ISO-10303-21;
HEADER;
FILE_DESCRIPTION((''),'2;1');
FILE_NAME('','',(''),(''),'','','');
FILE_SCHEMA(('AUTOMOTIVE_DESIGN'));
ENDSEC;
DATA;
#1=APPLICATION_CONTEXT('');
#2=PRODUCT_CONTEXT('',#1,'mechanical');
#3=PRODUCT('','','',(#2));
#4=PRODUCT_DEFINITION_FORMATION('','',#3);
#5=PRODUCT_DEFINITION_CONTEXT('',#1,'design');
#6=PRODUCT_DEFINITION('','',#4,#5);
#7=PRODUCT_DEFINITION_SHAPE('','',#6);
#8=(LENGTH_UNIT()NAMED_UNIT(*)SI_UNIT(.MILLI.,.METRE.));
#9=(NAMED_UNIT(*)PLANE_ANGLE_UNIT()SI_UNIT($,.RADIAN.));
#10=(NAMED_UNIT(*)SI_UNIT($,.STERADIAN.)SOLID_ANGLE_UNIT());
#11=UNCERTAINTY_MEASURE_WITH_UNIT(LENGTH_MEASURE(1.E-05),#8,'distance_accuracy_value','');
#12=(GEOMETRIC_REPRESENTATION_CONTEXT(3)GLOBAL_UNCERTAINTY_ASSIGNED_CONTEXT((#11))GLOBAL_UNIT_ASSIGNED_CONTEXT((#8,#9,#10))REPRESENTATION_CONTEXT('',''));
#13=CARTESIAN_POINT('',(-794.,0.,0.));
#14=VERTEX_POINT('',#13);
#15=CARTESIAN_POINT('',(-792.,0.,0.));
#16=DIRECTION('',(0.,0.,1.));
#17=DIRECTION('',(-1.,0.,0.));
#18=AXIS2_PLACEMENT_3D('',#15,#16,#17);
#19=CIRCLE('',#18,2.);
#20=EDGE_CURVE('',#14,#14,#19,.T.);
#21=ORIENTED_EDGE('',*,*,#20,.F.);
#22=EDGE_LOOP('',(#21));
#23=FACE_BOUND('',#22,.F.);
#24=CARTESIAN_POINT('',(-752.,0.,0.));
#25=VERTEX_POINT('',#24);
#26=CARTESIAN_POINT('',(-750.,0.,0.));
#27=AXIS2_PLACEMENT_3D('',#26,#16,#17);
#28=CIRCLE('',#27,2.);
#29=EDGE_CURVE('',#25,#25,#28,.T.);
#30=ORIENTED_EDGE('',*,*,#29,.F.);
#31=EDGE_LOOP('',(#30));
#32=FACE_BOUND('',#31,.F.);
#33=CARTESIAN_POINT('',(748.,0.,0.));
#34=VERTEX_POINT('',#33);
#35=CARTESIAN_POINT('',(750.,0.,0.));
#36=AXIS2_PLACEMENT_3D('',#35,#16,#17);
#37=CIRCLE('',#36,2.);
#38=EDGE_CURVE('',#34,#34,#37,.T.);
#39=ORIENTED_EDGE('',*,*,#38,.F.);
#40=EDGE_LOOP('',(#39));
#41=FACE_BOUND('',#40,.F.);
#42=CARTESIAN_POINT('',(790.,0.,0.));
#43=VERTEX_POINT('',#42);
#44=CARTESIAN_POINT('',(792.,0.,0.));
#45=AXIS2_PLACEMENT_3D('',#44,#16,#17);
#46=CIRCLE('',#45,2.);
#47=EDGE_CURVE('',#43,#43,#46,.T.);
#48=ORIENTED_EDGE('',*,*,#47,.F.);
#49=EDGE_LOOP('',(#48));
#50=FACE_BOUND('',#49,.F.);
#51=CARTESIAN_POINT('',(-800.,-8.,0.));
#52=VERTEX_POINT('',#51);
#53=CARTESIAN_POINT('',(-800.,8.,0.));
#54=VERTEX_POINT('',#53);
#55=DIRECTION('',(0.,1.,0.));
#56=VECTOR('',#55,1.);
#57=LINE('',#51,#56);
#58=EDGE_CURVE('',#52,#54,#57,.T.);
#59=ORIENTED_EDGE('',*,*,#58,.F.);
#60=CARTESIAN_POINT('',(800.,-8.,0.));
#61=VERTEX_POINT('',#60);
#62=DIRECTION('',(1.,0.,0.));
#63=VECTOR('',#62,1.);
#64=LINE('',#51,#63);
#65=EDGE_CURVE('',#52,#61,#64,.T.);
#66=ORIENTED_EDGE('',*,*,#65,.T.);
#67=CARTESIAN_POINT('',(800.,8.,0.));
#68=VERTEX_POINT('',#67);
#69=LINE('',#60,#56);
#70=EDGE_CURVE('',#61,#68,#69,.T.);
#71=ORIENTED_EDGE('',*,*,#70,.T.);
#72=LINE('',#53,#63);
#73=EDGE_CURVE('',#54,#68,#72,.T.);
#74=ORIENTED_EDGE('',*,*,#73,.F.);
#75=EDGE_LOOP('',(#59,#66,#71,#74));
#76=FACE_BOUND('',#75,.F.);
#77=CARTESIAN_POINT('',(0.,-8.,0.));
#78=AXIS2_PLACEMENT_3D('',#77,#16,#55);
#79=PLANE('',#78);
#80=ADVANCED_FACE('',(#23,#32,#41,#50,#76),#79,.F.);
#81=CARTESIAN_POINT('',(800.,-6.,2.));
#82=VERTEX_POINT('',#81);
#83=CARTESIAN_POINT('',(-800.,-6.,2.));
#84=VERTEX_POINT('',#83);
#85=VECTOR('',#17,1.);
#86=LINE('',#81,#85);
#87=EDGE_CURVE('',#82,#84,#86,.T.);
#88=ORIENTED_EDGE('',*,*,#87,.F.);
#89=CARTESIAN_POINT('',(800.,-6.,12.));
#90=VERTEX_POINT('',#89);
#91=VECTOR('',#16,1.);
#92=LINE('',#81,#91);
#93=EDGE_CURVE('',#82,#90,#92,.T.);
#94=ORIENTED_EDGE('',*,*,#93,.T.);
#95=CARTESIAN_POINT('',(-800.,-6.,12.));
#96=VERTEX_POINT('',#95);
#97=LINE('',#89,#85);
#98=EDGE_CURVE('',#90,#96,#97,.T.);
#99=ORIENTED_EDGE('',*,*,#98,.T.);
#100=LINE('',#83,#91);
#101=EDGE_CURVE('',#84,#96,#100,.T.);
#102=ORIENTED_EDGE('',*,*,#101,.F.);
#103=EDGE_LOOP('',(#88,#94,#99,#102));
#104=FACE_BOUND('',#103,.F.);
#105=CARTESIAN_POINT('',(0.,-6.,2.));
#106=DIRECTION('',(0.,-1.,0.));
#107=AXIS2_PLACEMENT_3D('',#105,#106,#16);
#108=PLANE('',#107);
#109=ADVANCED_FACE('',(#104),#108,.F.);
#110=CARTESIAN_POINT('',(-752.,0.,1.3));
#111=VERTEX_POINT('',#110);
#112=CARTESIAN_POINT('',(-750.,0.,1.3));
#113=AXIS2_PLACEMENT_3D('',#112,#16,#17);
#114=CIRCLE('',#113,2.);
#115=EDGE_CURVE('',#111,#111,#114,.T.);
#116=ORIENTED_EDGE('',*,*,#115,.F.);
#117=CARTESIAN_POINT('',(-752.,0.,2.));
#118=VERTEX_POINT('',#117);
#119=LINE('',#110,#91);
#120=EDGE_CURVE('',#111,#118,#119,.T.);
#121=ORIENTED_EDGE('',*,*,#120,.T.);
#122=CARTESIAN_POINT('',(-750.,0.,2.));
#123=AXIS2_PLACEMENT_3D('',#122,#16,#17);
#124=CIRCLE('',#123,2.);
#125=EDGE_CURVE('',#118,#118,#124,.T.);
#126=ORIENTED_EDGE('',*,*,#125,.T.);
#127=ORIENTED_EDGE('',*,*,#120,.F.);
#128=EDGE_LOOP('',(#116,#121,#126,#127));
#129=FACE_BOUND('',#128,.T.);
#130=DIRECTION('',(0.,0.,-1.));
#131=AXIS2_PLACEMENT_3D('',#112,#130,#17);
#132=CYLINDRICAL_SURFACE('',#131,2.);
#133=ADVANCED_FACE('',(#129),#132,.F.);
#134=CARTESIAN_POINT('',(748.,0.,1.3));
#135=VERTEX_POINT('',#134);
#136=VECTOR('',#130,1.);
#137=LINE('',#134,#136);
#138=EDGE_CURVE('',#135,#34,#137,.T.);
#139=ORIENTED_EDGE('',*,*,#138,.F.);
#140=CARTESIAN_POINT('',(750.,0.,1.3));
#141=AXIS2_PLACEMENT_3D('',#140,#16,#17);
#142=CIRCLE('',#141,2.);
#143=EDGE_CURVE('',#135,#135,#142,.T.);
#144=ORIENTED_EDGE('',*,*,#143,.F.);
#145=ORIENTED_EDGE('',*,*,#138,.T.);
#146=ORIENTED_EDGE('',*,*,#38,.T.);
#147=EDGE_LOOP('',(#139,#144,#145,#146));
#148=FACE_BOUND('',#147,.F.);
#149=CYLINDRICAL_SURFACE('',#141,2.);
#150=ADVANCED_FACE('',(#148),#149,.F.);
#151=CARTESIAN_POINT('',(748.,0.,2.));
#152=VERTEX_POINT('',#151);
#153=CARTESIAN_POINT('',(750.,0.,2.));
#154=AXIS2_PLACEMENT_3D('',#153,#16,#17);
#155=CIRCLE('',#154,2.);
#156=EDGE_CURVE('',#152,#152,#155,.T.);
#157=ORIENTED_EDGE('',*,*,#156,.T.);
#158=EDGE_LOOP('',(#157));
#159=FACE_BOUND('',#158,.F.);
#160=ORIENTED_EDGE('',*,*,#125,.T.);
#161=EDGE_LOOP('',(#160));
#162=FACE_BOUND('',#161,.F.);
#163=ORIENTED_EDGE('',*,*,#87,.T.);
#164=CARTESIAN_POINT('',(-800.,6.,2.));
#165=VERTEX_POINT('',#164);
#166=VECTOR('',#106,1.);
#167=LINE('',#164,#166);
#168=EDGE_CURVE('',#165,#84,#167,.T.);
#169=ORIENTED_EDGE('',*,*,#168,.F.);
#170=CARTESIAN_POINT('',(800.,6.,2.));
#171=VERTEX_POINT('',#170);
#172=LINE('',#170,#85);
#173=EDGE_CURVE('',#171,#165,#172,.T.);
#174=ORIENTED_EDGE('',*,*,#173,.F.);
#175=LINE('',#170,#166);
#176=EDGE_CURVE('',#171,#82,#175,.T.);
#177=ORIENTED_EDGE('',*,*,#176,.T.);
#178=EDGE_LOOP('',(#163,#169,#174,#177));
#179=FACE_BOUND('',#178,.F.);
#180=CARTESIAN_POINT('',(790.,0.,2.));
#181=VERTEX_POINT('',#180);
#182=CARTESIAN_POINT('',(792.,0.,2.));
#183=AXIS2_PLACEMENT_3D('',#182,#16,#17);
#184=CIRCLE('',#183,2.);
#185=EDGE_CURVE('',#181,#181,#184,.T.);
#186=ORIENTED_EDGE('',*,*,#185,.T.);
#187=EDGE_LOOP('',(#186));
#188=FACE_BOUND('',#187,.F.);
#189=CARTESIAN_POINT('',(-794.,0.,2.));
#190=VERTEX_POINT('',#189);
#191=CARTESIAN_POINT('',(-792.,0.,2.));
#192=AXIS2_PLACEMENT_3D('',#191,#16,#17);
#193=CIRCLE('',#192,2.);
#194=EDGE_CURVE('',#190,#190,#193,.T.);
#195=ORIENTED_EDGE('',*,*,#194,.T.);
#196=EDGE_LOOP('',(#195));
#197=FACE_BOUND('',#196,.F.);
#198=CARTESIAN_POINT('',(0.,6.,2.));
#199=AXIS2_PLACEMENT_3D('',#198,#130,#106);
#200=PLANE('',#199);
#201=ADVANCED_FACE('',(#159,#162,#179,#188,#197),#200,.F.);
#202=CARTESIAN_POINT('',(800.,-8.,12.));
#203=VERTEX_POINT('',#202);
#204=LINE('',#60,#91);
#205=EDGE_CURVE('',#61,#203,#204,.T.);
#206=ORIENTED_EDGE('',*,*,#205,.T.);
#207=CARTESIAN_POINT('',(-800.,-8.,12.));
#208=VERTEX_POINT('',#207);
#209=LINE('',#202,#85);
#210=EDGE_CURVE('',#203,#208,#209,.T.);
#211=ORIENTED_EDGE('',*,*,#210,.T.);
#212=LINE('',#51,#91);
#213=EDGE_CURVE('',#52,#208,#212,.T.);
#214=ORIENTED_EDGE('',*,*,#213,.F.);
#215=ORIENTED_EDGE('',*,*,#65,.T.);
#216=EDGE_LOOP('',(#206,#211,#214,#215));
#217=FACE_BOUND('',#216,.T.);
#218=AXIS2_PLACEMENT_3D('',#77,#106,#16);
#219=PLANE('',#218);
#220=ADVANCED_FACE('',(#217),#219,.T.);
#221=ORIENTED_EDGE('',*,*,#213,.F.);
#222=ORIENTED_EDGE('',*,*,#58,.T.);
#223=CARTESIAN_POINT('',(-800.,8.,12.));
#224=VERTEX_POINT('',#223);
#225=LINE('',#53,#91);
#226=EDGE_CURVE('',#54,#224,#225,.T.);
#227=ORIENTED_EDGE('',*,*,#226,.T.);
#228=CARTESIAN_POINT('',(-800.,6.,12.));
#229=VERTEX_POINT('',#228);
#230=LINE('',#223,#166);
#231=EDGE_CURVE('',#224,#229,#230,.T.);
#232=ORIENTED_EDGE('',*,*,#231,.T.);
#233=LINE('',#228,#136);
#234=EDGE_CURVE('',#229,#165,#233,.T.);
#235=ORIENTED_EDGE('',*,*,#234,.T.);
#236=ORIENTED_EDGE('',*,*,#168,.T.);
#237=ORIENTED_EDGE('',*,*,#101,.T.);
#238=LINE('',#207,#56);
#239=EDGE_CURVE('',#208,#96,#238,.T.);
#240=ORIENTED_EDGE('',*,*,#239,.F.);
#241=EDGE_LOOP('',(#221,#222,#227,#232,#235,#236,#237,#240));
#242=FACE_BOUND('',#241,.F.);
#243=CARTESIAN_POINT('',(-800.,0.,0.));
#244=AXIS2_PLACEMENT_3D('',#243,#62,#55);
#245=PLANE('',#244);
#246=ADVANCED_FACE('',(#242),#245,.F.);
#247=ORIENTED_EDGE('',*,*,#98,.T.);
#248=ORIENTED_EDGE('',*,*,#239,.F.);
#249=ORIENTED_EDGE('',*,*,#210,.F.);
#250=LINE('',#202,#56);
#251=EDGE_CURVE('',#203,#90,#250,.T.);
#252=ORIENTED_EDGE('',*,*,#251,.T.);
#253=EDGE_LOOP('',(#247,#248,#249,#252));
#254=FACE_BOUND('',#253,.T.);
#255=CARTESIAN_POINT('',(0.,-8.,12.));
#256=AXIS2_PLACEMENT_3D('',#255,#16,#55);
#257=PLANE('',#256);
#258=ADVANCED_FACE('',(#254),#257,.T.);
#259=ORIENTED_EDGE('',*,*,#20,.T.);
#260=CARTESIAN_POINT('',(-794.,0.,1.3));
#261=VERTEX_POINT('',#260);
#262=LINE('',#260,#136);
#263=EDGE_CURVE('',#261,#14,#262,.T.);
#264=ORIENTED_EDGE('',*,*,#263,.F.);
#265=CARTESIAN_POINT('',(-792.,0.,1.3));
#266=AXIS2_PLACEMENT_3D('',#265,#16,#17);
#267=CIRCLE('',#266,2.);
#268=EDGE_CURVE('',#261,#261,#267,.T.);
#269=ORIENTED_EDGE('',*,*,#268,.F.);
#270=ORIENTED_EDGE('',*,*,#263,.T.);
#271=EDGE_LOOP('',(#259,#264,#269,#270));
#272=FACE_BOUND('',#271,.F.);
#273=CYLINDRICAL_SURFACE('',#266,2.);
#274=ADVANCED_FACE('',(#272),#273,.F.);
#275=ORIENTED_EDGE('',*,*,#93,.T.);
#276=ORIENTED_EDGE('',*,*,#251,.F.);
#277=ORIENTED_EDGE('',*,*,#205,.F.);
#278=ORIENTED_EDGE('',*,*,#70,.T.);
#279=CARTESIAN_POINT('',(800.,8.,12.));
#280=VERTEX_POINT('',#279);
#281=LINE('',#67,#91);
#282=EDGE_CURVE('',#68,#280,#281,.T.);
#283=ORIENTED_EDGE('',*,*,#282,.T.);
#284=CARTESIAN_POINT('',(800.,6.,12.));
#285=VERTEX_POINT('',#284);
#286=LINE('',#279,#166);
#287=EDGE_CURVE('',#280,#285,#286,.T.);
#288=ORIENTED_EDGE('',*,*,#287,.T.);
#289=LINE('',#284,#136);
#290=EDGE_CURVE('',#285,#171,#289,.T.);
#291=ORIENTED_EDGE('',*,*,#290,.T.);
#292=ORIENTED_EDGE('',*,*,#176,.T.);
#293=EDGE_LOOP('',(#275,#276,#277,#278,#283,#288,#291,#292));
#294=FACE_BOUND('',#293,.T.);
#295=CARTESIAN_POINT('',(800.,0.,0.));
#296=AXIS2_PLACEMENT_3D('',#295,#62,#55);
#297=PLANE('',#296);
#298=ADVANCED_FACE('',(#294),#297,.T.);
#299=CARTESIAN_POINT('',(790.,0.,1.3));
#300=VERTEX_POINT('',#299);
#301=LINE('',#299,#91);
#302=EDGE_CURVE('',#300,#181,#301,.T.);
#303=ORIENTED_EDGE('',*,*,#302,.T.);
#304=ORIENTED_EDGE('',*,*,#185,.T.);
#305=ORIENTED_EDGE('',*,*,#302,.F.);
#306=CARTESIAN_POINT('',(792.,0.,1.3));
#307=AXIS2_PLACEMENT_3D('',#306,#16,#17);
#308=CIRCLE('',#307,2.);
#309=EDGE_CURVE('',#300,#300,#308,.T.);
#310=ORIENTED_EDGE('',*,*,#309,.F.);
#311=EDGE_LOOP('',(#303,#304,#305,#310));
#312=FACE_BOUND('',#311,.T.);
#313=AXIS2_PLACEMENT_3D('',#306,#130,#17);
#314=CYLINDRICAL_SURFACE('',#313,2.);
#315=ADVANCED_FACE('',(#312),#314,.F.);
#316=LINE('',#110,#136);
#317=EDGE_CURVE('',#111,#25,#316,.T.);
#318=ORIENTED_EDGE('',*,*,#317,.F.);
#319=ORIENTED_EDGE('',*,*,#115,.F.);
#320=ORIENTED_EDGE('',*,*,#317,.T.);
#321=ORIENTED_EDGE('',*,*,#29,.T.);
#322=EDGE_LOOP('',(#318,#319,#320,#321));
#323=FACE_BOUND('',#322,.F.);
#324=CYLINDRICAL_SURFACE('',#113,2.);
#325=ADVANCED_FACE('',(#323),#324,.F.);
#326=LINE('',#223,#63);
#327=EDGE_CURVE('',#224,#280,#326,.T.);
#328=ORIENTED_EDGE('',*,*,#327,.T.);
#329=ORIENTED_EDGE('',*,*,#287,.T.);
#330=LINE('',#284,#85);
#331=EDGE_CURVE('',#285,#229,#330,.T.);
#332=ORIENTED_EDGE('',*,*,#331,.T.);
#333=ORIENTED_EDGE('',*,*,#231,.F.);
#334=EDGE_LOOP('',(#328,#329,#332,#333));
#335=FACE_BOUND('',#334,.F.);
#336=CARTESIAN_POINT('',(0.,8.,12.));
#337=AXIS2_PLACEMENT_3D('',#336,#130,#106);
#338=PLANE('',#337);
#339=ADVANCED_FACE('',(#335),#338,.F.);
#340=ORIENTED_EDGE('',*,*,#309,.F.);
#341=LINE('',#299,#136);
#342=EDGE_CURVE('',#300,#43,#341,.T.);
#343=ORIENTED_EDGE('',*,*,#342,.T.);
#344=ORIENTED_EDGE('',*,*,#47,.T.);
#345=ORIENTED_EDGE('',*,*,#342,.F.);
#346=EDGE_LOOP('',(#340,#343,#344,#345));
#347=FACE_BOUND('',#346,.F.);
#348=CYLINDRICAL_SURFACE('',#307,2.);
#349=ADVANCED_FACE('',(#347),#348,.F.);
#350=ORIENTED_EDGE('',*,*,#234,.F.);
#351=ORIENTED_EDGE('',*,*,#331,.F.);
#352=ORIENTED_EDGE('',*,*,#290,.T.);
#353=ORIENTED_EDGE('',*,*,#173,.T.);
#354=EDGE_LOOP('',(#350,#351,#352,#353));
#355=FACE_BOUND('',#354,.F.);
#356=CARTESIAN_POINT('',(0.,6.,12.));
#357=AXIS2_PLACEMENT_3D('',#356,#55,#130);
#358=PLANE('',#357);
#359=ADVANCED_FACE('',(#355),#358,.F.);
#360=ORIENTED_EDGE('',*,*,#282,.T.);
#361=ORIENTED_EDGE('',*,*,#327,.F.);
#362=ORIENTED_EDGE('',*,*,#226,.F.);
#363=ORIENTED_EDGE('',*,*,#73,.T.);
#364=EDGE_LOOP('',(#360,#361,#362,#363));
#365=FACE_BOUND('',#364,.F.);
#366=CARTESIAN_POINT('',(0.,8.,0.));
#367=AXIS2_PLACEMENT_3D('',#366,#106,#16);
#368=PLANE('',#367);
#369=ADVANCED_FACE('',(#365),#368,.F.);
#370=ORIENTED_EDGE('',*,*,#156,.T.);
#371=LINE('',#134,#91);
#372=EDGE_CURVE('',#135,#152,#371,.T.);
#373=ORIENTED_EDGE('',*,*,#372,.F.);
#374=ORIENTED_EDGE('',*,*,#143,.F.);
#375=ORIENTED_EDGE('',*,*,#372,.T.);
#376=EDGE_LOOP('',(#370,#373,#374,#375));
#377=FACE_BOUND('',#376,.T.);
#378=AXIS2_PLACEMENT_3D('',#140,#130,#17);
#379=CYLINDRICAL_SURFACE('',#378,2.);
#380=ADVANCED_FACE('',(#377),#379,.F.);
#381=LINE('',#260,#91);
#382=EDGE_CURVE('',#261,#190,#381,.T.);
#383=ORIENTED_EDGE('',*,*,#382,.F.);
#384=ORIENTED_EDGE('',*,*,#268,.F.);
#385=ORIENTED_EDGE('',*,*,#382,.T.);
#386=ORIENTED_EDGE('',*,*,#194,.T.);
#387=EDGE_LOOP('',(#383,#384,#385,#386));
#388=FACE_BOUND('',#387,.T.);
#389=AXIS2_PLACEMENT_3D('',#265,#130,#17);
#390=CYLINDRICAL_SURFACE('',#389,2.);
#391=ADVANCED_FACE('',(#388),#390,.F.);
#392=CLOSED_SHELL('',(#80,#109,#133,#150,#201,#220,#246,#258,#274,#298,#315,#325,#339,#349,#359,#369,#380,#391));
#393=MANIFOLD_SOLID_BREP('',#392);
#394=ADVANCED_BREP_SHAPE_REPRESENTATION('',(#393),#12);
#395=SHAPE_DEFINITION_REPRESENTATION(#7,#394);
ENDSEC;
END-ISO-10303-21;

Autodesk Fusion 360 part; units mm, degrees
sketch "Sketch1" plane through (0, 0, 0) normal (1, 0, 0) x (0, 1, 0)
  line L0 (-8, 0) -> (8, 0)
  line L1 (8, 0) -> (8, 12)
  line L2 (8, 12) -> (6, 12)
  line L3 (-8, 0) -> (-8, 12)
  line L4 (-8, 12) -> (-6, 12)
  line L5 (6, 12) -> (6, 2)
  line L6 (6, 2) -> (-6, 2)
  line L7 (-6, 2) -> (-6, 12)
  dimension "d26" = 16
  dimension "d27" = 12
  dimension "d28" = 2
  dimension "d29" = 12
  dimension "d30" = 2
  dimension "d31" = 10
  dimension "d32" = 12
  dimension "d33" = 10
sketch "Sketch2" plane through (0, 0, 1.3) normal (0, 0, 1) x (-1, 0, 0)
  line L0 (800, 3) -> (-800, 3)
  line L1 (-800, 3) -> (-800, -3)
  line L2 (-800, -3) -> (800, -3)
  line L3 (800, -3) -> (800, 3)
  line L4 (800, 0) -> (792, 0) construction
  circle A0 centre (792, 0) radius 2
  line L5 (792, 0) -> (750, 0) construction
  circle A1 centre (750, 0) radius 2
  line L6 (-800, 0) -> (-792, 0) construction
  circle A2 centre (-792, 0) radius 2
  line L7 (-792, 0) -> (-750, 0) construction
  circle A3 centre (-750, 0) radius 2
  dimension "d14" = 8
  dimension "d15" = 4
  dimension "d16" = 42
  dimension "d17" = 4
  dimension "d18" = 8
  dimension "d19" = 4
  dimension "d20" = 42
  dimension "d21" = 4
extrude "Extrude3" add sketch "Sketch1" along normal mid plane 1600
extrude "Extrude4" cut sketch "Sketch2" along normal blind 0.7 and the other way blind 1.3 contours A0 | A1 | A2 | A3
